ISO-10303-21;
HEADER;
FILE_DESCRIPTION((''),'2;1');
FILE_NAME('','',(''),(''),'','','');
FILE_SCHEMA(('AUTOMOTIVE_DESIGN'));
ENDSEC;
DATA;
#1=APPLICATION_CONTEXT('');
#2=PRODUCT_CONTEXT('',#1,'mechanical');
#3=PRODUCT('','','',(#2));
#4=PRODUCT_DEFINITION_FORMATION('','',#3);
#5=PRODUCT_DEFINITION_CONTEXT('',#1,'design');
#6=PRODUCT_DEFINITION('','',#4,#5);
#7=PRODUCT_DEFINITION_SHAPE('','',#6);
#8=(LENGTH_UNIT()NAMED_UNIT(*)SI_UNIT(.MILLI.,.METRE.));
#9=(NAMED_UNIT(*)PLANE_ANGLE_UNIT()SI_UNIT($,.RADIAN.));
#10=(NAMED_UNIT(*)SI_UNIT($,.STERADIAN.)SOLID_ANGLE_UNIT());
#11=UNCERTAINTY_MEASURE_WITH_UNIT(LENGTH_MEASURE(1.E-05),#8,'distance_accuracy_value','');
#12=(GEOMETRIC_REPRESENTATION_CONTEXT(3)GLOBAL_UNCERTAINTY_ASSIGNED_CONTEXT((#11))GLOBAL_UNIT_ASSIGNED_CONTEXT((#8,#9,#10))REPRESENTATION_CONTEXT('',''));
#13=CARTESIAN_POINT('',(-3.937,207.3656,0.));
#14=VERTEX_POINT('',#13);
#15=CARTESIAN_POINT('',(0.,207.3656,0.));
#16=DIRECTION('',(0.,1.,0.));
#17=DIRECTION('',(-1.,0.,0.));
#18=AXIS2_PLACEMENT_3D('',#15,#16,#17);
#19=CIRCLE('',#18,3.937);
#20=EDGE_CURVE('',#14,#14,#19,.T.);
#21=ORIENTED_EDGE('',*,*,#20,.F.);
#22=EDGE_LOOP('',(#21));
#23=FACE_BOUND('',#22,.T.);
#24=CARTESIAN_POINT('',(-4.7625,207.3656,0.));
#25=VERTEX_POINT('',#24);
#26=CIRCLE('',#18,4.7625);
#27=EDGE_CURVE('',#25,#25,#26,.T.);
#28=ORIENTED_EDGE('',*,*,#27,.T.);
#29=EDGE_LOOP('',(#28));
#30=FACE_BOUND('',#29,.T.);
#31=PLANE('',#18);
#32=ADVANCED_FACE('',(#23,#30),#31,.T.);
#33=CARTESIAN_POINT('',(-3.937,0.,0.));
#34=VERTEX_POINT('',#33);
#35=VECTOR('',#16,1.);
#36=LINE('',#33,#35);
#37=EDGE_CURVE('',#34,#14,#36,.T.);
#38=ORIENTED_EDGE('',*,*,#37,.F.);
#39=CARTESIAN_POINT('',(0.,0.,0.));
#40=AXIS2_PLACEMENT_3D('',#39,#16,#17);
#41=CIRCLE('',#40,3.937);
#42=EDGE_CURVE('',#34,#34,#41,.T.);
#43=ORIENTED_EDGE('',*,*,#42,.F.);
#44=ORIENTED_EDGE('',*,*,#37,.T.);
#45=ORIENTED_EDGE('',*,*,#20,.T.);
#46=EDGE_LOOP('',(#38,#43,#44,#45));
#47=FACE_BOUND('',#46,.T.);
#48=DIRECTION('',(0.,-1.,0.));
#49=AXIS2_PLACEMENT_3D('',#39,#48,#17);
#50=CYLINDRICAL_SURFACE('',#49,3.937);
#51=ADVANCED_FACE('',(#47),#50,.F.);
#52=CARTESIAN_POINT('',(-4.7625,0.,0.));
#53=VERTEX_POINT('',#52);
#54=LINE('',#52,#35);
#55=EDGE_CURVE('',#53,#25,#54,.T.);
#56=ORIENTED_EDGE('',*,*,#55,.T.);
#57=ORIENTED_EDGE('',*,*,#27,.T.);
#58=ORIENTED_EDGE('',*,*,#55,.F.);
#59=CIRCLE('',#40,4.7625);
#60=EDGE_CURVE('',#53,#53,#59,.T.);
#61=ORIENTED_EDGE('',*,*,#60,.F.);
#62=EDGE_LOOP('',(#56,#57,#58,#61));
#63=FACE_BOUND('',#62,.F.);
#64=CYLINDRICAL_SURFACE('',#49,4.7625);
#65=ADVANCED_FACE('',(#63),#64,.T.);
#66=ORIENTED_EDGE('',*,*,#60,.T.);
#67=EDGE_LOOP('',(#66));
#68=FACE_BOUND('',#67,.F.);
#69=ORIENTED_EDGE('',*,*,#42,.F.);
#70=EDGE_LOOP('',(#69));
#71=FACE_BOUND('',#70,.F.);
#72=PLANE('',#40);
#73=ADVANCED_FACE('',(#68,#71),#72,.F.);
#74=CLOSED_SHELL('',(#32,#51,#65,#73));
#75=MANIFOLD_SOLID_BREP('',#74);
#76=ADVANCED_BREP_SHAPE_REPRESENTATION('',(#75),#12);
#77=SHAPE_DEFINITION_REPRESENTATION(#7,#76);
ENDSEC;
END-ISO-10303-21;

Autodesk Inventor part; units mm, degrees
ref_plane "YZ Plane" through (0, 0, 0) normal (1, 0, 0) x (0, 1, 0)
ref_plane "XZ Plane" through (0, 0, 0) normal (0, 1, 0) x (-1, 0, 0)
ref_plane "XY Plane" through (0, 0, 0) normal (0, 0, 1) x (1, 0, 0)
sketch "Sketch1" plane through (0, 0, 0) normal (0, 1, 0) x (-1, 0, 0)
  circle A0 centre (0, 0) radius 4.7625
  circle A1 centre (0, 0) radius 3.937
  dimension "d0" = 9.525
  dimension "d1" = 7.874
extrude "Extrusion1" add sketch "Sketch1" along normal blind 207.3656
properties part number "feet type 2 part 2 long" material "Fiber Glass"
